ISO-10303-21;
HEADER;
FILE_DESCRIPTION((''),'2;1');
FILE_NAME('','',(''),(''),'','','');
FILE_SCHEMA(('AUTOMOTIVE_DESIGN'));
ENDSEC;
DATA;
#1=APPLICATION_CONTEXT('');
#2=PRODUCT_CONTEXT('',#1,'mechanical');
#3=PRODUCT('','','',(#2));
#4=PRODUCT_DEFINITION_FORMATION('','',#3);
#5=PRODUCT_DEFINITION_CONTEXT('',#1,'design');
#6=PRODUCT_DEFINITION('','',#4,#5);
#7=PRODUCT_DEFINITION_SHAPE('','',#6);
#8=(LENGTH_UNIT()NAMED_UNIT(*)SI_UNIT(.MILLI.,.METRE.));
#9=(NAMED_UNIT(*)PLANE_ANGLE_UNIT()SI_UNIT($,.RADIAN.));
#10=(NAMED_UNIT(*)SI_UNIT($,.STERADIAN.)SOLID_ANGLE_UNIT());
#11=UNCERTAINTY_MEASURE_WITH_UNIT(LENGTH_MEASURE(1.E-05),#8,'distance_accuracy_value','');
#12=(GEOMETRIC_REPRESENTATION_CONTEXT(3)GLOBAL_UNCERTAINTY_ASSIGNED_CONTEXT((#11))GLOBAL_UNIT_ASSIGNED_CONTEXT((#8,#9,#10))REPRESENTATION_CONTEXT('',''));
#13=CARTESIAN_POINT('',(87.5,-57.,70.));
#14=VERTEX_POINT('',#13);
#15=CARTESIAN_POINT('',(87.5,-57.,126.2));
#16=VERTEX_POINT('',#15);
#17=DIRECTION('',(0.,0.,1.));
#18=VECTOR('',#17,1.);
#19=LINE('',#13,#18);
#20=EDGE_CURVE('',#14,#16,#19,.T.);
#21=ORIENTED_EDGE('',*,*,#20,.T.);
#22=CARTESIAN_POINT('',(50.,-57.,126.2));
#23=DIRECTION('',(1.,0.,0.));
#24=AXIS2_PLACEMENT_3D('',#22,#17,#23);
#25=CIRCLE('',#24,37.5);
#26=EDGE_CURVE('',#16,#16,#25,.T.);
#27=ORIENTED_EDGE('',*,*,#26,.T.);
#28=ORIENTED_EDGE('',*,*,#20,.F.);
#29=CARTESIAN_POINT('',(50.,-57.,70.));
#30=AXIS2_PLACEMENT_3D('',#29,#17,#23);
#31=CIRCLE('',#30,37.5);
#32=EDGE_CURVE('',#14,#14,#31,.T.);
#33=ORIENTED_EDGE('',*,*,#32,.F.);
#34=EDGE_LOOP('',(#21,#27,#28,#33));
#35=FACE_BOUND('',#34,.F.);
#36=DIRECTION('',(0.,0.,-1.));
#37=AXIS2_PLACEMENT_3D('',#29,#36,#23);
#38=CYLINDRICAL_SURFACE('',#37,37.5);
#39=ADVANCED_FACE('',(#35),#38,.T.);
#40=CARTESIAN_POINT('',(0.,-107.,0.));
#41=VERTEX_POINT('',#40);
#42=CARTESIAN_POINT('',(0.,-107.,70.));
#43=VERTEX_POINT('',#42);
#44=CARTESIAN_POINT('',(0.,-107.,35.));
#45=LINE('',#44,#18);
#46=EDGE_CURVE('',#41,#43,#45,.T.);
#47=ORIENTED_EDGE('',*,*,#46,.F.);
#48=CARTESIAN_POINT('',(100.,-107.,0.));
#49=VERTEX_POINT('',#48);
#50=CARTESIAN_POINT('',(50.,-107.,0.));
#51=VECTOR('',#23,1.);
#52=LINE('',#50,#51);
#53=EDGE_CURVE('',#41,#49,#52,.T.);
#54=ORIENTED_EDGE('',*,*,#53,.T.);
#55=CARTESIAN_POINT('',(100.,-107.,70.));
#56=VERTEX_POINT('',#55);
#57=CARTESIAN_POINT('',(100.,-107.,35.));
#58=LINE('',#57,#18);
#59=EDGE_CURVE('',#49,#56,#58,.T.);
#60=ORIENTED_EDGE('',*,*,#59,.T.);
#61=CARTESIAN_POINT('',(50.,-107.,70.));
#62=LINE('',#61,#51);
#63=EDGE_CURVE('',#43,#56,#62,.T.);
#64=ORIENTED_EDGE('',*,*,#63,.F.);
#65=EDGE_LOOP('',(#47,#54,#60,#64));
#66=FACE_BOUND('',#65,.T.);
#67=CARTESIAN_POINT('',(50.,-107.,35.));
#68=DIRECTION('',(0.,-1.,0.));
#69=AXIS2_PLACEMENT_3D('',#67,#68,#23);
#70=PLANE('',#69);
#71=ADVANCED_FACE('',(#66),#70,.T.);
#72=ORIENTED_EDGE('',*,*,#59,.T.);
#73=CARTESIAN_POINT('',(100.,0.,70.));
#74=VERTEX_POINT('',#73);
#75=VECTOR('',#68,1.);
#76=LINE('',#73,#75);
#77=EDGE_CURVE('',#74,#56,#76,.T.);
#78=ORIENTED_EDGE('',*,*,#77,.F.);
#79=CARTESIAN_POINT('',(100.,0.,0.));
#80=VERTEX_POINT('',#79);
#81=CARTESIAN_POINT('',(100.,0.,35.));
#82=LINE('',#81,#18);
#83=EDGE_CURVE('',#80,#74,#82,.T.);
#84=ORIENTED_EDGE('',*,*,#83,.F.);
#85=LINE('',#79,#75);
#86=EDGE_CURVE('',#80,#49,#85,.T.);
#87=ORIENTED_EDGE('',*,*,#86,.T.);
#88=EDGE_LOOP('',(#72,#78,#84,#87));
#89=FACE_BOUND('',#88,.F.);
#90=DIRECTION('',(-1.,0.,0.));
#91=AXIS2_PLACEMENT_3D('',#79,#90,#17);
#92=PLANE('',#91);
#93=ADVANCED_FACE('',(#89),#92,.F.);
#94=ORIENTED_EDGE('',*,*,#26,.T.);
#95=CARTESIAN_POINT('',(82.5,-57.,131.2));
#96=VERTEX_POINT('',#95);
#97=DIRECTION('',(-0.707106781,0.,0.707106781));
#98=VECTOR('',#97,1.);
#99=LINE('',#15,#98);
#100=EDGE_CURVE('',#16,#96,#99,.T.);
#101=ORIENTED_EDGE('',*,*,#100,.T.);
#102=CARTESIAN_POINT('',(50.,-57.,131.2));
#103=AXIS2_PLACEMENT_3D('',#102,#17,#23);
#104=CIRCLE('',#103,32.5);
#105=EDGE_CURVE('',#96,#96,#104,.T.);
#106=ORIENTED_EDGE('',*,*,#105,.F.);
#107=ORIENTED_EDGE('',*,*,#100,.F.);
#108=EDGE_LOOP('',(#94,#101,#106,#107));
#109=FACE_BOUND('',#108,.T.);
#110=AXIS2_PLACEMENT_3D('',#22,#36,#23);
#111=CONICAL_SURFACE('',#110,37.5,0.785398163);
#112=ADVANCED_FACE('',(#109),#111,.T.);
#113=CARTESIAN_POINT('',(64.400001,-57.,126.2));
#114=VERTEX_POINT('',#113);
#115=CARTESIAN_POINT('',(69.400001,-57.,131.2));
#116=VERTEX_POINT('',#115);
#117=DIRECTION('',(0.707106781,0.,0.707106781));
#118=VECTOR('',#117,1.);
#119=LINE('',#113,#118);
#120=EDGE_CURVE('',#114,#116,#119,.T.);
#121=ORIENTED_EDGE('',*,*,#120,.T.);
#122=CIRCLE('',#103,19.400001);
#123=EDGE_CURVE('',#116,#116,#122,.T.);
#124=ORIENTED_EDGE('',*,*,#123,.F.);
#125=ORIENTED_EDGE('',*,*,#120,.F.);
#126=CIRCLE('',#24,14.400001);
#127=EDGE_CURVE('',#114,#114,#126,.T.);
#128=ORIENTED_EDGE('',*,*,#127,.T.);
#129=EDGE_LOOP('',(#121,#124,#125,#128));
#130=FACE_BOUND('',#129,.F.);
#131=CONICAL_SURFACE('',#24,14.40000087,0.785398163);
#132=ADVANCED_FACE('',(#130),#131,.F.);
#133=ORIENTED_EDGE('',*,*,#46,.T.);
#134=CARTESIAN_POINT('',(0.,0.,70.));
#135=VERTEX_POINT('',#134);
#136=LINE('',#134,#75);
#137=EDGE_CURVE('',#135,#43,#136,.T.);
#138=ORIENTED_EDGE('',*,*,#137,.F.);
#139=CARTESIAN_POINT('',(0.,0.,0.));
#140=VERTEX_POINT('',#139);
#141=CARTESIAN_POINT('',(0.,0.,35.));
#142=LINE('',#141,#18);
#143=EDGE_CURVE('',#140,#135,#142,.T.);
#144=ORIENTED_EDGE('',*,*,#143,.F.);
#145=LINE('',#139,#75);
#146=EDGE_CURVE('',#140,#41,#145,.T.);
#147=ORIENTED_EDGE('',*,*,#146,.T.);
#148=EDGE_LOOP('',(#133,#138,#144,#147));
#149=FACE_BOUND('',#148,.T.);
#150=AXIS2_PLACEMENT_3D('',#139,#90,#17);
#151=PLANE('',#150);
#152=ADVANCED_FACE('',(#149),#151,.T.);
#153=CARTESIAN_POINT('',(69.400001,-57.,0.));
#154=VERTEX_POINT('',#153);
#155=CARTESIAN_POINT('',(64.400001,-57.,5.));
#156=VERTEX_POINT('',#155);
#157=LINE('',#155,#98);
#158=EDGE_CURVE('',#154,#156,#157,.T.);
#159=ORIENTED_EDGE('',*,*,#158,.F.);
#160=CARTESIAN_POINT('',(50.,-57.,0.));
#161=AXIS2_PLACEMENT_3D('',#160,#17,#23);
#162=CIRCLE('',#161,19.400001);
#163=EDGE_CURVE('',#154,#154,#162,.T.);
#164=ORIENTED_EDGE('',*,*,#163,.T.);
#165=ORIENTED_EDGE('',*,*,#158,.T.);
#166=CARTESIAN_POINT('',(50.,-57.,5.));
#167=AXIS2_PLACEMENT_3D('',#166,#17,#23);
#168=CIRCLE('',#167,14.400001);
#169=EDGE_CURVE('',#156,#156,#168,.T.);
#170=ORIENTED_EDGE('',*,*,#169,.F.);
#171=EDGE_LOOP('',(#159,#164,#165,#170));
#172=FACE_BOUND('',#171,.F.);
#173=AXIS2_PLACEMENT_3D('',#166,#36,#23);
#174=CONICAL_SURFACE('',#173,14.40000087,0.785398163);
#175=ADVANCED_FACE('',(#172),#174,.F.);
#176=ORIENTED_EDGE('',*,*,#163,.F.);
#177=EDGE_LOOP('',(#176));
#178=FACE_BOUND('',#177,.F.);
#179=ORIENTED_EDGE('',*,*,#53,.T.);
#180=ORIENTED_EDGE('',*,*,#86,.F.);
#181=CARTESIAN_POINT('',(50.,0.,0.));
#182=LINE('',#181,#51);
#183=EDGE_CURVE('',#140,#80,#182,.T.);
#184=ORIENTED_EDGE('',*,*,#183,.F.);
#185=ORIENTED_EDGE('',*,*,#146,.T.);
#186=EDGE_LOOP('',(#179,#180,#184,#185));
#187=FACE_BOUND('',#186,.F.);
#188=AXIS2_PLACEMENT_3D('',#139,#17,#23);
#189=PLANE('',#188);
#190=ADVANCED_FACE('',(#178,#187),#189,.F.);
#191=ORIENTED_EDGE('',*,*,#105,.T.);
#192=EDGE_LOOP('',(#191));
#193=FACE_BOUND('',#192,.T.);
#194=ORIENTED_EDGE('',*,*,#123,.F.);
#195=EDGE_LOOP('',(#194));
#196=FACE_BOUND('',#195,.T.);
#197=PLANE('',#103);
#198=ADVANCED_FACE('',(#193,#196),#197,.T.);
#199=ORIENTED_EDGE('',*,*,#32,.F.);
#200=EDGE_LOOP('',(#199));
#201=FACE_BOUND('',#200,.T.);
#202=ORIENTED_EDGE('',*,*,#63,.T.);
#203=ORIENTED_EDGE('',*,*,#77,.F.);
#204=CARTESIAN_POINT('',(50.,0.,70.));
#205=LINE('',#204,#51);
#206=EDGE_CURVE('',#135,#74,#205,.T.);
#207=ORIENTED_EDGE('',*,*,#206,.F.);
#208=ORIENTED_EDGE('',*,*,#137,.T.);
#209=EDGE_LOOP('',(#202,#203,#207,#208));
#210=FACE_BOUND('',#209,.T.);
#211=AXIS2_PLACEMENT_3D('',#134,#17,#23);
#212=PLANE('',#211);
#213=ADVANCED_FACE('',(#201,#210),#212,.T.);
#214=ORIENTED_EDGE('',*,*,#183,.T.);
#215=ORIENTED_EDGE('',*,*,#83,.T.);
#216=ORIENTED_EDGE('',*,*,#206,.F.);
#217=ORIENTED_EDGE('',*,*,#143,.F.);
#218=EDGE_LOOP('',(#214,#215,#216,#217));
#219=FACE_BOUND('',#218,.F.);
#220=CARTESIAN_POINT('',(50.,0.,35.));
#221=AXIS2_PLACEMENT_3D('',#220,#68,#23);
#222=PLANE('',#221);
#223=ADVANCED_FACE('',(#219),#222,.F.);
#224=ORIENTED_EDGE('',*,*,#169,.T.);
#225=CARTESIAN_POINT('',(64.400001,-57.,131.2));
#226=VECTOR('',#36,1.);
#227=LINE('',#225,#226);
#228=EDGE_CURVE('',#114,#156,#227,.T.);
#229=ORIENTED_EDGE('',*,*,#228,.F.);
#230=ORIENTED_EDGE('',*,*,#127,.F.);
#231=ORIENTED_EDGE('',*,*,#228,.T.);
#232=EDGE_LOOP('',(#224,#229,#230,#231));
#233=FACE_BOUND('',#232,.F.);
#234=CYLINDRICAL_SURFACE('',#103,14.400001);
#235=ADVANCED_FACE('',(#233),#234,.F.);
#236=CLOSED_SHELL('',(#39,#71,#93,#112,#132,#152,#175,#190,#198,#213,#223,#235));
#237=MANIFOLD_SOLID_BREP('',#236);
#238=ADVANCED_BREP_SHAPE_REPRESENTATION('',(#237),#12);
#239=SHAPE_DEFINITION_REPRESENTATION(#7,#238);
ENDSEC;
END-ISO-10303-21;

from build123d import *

# Parameters (mm, degrees)
F0_W     = 100
F0_H     = 70
F1_DEPTH = 107
F2_R     = 37.5
F3_DEPTH = 61.2
F4_R     = 14.4000008702
F5_DEPTH = 131.201
F6_SIZE  = 5


with BuildPart() as f1:
    # F0 (on Front) → F1 (new body)
    with BuildSketch(Plane.XZ):
        with Locations((50, 35)):
            Rectangle(F0_W, F0_H)
    extrude(amount=F1_DEPTH)

    # F2 (on face) → F3 (join)
    with BuildSketch(Plane.XY.offset(70)):
        with Locations((50, -57)):
            Circle(F2_R)
    extrude(amount=F3_DEPTH)

    # F4 (on face) → F5 (cut, through all)
    with BuildSketch(Plane.XY.offset(131.2)):
        with Locations((50, -57)):
            Circle(F4_R)
    extrude(amount=-F5_DEPTH, mode=Mode.SUBTRACT)

    # F6
    f6_edges = [f1.edges().sort_by_distance(p)[0] for p in [
        (12.5, -57, 131.2),
        (35.599999, -57, 131.2),
        (35.599999, -57, 0),
    ]]
    chamfer(f6_edges, length=F6_SIZE)


solid = f1.part
